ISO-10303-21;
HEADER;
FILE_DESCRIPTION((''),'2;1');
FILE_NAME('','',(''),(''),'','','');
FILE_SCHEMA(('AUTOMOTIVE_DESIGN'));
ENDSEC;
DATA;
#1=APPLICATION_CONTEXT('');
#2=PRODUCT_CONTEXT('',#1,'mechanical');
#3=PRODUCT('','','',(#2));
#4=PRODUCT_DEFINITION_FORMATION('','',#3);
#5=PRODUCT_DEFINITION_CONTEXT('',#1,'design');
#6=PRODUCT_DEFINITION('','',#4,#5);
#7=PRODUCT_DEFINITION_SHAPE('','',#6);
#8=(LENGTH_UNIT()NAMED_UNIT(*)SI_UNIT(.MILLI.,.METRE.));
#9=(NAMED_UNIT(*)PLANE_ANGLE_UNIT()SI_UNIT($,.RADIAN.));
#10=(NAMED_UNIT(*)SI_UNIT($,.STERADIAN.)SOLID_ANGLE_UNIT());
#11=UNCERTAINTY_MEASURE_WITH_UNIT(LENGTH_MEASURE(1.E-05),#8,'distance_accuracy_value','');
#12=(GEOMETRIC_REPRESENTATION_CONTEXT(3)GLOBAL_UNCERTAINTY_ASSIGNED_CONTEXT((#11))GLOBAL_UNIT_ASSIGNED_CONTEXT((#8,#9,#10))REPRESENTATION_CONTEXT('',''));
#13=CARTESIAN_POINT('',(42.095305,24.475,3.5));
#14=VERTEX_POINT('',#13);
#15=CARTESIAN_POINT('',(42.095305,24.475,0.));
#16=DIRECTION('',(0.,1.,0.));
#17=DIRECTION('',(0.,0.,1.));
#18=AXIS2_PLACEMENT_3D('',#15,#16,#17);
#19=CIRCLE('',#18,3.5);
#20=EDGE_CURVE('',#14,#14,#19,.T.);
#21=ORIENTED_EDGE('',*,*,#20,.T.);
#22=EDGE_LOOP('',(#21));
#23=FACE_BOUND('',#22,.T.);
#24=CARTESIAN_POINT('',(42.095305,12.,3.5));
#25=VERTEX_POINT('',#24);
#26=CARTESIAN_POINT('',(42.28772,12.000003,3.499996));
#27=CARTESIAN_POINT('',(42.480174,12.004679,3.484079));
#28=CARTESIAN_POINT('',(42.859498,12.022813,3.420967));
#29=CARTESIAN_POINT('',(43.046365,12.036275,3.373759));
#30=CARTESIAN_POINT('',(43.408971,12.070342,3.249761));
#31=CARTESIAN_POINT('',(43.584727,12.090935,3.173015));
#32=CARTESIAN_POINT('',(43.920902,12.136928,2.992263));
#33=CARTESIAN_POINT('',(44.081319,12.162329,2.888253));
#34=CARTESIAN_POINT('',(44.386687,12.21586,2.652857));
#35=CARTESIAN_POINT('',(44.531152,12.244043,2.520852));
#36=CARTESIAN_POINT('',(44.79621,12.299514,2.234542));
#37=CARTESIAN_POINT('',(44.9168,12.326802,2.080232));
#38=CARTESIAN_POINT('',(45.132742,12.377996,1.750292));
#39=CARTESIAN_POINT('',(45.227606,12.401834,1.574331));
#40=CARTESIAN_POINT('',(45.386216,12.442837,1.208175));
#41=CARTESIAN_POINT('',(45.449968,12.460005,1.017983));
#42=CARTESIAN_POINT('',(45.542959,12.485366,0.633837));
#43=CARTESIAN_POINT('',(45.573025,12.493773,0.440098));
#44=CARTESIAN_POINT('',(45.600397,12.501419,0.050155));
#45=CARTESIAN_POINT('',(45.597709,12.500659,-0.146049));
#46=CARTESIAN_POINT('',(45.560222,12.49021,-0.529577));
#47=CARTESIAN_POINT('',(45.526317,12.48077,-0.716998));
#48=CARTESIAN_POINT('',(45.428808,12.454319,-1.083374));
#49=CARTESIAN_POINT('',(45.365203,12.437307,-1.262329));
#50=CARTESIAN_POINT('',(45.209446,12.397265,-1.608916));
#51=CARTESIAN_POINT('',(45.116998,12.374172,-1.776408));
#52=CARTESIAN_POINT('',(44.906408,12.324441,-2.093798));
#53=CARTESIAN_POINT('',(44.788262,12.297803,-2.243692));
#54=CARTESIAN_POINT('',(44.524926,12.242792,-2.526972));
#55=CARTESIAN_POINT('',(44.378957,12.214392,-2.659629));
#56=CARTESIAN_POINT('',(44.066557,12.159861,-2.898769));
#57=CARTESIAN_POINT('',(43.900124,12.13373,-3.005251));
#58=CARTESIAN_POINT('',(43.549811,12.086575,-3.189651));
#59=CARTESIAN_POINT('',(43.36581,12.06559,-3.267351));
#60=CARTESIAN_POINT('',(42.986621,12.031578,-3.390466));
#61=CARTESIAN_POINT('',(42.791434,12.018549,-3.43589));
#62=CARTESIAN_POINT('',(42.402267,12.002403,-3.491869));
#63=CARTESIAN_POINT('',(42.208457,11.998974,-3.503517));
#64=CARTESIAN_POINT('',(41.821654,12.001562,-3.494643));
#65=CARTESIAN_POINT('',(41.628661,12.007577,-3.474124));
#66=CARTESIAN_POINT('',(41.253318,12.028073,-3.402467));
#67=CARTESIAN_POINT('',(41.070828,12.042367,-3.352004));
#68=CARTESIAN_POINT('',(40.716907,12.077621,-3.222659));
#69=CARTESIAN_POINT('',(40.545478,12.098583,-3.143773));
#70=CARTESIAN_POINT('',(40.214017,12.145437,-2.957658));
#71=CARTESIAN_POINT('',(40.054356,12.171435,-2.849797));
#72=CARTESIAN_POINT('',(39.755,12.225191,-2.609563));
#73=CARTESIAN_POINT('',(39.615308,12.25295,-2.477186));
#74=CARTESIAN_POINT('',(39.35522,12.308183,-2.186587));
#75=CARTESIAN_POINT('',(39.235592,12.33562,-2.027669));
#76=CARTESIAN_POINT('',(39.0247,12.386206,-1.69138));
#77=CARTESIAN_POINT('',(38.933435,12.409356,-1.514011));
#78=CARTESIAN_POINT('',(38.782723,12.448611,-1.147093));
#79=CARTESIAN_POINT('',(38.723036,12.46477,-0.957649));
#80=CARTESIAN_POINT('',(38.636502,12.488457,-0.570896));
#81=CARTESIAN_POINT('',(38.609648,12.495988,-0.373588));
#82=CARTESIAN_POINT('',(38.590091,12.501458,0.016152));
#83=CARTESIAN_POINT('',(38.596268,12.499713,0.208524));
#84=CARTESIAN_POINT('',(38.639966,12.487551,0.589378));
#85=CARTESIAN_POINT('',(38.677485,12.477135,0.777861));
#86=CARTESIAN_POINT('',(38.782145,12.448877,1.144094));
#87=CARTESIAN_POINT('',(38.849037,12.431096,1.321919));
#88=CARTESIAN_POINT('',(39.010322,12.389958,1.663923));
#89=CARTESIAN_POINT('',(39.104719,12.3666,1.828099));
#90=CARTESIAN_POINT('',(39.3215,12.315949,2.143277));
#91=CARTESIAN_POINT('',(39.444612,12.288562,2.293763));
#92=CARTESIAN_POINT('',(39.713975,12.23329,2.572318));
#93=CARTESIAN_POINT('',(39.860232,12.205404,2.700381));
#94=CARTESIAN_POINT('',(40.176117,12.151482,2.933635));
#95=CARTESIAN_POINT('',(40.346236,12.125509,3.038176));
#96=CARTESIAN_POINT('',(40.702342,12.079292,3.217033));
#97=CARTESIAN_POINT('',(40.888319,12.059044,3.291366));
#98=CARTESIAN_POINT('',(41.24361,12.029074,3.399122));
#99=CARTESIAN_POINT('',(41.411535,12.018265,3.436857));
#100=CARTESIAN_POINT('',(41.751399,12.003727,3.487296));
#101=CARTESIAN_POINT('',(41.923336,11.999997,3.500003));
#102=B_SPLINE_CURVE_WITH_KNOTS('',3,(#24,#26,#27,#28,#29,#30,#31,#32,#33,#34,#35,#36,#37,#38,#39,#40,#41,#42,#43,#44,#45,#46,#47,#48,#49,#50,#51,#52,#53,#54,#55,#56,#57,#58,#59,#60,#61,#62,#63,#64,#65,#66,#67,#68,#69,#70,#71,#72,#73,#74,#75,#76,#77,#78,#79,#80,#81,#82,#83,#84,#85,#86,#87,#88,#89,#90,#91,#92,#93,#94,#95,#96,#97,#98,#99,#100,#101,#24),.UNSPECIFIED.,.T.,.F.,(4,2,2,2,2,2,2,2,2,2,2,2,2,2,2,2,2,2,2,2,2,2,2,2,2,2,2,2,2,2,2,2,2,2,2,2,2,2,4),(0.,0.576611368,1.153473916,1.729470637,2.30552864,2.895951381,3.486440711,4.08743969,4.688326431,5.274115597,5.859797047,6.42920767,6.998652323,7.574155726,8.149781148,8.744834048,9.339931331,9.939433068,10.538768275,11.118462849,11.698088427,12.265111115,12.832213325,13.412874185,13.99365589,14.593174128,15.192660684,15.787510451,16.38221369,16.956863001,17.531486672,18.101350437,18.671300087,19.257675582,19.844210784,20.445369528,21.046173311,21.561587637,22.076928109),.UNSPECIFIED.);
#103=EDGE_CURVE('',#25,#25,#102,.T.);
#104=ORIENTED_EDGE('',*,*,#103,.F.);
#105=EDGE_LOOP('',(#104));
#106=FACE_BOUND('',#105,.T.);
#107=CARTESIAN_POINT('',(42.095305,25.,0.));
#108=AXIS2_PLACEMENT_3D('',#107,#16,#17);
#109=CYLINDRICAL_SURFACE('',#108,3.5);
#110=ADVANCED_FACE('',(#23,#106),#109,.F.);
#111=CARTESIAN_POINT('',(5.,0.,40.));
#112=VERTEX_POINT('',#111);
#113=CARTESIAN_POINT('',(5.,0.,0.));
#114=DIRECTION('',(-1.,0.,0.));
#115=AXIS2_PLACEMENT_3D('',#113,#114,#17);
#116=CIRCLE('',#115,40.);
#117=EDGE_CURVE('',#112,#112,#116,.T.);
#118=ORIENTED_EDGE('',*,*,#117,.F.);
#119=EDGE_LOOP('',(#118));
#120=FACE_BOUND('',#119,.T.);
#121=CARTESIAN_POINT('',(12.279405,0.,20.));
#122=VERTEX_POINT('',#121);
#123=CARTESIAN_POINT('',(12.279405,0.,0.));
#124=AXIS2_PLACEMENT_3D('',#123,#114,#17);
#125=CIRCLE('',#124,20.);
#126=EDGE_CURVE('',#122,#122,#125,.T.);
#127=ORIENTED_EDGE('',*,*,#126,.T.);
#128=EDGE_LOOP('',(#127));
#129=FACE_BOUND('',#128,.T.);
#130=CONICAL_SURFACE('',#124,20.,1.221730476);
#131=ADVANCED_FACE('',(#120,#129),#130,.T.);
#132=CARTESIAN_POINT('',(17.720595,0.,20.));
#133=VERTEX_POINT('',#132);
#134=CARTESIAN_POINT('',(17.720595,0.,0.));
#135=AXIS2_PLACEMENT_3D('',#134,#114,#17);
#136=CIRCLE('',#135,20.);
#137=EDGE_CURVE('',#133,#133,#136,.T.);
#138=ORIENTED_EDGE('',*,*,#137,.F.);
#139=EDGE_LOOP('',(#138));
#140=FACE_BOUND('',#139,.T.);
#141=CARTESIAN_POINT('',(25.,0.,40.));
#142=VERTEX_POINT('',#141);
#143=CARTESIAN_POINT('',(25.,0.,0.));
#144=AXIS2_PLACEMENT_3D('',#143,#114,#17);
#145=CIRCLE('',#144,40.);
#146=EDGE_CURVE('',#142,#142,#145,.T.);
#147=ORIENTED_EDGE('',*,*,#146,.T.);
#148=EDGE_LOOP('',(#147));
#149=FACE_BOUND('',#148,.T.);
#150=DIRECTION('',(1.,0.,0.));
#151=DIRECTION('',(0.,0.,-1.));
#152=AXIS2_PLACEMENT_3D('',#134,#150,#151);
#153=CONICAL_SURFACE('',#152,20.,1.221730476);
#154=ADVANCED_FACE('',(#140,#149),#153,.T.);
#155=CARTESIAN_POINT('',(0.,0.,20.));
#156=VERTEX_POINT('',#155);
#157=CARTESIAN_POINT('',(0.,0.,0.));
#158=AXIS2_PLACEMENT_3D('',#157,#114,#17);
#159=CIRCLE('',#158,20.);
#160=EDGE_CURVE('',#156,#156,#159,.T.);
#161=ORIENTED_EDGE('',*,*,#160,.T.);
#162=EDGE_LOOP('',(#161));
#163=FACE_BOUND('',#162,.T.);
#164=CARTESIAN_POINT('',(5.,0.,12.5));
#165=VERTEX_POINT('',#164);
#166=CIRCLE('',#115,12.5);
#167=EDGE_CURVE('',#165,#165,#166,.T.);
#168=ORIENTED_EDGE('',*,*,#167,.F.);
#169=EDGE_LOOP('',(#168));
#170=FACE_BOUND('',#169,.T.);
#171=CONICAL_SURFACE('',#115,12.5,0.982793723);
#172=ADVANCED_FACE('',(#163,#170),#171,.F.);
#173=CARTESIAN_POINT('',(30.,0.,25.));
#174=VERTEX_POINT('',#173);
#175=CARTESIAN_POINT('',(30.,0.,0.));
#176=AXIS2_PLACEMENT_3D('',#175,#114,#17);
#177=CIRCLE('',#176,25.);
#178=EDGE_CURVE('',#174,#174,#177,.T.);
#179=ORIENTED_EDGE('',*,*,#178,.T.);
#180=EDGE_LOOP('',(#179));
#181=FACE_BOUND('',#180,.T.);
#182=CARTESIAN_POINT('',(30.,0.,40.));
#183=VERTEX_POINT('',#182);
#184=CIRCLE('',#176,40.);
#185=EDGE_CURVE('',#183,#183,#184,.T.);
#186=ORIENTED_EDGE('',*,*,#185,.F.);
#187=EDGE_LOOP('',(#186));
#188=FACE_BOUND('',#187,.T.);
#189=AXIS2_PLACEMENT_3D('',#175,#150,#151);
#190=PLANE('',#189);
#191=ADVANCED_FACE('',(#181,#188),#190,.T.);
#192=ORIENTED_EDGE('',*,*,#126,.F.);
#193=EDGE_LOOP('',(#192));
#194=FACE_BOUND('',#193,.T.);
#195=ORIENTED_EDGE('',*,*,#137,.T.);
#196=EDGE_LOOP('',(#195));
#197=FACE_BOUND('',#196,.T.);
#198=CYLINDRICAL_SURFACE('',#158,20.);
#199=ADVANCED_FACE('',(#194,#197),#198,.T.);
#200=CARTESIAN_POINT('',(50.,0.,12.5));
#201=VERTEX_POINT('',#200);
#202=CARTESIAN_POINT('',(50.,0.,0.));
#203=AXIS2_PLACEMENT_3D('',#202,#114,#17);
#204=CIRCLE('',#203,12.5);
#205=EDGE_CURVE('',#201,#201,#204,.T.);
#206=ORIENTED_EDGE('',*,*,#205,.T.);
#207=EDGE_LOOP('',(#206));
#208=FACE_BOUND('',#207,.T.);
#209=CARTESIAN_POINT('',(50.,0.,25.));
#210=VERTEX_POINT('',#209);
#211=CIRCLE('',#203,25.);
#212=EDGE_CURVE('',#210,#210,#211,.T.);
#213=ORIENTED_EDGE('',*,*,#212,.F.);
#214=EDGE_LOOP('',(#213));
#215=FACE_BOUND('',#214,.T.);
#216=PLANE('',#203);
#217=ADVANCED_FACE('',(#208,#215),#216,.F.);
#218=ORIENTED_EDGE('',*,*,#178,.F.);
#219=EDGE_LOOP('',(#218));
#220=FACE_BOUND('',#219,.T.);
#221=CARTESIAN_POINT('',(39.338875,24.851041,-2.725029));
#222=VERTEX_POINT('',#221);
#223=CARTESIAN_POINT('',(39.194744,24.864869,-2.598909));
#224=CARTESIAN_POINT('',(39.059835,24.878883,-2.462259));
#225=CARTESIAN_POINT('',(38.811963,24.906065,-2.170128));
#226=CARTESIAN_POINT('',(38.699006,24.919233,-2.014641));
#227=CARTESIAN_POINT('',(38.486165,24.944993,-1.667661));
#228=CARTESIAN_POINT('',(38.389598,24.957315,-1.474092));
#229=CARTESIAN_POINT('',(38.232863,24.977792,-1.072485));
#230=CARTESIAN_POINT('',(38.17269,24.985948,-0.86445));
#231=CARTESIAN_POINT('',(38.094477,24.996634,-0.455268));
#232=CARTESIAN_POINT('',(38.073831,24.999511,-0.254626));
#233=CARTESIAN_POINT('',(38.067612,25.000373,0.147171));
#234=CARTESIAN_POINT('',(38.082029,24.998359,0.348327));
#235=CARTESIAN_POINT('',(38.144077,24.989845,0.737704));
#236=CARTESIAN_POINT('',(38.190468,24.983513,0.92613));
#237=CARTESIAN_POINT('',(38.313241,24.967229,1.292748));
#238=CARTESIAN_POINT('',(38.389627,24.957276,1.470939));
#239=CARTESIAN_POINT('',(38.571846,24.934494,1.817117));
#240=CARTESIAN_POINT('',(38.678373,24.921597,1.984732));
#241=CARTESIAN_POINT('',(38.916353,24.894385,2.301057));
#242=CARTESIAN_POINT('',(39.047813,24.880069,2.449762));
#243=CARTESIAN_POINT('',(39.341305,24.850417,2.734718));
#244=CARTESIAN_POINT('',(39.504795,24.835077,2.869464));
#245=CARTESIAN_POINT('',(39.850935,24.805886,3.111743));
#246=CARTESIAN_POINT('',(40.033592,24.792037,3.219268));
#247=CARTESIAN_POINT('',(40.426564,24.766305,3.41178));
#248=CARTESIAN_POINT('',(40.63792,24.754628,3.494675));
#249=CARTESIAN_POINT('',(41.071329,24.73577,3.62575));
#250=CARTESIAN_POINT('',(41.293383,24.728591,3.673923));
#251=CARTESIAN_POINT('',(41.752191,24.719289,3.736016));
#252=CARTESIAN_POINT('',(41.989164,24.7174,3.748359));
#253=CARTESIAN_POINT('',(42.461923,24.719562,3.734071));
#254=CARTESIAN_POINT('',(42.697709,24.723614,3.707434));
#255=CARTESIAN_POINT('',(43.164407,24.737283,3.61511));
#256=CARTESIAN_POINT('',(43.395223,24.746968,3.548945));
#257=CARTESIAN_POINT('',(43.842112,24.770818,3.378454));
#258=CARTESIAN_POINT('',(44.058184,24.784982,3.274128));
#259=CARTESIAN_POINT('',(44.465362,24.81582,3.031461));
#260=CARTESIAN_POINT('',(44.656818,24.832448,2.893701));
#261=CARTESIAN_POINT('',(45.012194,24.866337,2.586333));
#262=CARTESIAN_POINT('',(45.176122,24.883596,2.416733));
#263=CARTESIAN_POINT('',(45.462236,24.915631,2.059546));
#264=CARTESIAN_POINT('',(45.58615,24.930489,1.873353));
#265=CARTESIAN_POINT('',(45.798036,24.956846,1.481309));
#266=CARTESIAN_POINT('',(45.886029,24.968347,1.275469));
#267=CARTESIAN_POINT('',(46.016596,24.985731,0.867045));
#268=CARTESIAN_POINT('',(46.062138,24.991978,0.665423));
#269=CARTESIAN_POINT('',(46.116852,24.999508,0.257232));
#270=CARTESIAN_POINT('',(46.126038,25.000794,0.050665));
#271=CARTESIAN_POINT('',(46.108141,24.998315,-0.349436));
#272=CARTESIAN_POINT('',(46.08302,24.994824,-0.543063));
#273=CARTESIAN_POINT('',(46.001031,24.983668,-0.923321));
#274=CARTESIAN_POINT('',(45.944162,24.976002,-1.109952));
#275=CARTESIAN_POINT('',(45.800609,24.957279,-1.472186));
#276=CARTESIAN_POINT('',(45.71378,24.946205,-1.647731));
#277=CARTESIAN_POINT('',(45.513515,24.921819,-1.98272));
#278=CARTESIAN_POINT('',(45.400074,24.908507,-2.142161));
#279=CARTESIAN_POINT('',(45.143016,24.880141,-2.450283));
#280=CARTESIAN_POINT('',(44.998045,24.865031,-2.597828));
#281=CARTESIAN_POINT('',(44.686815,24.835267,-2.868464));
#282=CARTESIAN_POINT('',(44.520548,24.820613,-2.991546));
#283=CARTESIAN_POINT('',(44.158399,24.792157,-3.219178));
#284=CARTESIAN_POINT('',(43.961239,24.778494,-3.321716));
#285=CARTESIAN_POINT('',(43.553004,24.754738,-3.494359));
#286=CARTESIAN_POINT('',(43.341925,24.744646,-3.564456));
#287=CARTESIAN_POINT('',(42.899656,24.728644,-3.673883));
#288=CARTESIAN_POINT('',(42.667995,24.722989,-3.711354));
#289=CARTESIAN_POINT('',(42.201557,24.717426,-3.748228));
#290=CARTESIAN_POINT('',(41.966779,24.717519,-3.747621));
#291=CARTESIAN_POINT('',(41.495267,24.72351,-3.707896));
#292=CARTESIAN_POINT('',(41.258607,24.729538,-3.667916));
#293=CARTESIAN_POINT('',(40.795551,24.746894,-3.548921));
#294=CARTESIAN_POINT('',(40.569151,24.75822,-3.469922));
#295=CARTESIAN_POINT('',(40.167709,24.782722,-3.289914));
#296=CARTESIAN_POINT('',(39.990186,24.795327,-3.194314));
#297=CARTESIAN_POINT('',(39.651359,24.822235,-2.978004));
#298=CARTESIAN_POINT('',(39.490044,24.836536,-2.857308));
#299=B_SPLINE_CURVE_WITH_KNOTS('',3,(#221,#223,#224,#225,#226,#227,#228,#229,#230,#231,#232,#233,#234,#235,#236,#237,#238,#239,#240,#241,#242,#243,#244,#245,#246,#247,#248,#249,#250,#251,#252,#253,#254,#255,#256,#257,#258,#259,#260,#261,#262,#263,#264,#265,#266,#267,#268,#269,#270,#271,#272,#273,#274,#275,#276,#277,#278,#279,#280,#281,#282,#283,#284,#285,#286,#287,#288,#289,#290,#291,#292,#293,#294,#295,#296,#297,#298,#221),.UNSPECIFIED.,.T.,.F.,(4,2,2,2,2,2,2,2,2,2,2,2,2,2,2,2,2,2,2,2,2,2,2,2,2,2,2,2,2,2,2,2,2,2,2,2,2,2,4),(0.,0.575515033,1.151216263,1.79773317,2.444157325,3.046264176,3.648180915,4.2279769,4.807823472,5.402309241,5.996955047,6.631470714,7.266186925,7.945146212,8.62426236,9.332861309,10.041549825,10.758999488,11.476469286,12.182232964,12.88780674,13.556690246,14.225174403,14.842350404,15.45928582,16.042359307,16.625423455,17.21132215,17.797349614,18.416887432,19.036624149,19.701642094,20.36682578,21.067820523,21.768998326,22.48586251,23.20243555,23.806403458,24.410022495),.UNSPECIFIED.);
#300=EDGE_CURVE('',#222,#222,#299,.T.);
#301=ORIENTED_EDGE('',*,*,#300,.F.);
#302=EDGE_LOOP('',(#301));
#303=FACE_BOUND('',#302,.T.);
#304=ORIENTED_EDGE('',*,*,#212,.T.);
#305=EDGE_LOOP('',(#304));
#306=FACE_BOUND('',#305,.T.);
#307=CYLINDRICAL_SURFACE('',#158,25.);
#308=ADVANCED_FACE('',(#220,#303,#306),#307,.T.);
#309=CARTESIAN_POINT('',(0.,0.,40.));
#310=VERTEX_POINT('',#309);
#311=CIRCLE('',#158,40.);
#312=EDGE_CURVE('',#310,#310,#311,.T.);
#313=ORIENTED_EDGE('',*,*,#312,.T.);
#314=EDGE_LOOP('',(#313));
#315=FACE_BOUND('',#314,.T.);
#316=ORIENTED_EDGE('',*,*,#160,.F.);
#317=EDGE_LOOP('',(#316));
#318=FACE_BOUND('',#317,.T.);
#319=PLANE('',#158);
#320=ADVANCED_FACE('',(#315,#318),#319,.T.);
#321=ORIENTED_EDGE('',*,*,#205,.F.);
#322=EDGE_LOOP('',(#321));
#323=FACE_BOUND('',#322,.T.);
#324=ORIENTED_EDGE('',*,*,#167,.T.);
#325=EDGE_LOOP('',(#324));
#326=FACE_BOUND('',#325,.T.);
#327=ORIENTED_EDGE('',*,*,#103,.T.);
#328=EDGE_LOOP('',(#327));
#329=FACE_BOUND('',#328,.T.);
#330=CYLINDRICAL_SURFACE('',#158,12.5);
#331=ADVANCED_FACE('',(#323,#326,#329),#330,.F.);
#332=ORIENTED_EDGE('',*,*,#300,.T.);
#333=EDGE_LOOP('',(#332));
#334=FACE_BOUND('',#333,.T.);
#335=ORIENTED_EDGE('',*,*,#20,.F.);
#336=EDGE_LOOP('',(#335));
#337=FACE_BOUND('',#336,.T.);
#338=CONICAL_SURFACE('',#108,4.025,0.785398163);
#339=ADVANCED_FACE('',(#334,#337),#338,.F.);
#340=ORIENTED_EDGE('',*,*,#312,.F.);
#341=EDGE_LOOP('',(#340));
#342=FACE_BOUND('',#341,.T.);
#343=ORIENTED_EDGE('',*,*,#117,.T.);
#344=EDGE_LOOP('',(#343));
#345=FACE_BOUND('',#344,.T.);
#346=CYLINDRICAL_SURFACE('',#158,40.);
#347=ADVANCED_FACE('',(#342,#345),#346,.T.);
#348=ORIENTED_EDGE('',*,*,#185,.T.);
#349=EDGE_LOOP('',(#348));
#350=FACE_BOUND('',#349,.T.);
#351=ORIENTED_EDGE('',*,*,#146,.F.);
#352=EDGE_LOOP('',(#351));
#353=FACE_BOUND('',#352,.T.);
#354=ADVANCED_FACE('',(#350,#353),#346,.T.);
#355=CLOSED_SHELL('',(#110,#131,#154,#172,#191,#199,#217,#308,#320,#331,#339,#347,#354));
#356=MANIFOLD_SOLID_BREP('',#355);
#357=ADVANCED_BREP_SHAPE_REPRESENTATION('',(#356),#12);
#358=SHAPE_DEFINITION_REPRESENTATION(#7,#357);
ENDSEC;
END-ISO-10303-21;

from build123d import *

# Parameters (mm, degrees)
M8X1_0_TAPPED_HOLE2_D           = 7
M8X1_0_TAPPED_HOLE2_DEPTH       = 19
M8X1_0_TAPPED_HOLE2_CSINK_D     = 8.05
M8X1_0_TAPPED_HOLE2_CSINK_ANGLE = 90
M8X1_0_TAPPED_HOLE2_TIP         = 2.103012167


with BuildPart() as part:
    # Sketch1 → Revolve2 (revolve)
    with BuildSketch(Plane.XY, mode=Mode.PRIVATE) as revolve2_sk:
        Polygon((5, 12.5), (0, 20), (0, 40), (5, 40), (12.279404685, 20), (17.720595315, 20), (25, 40), (30, 40), (30, 25), (50, 25), (50, 12.5), align=None)
    revolve(revolve2_sk.sketch.rotate(Axis((0, 0, 0), (1, 0, 0)), 90), axis=Axis((0, 0, 0), (1, 0, 0)))

    # M8x1.0 Tapped Hole2
    with Locations(Plane(origin=(42.095304981, 25, 0), x_dir=(0, 0, 1), z_dir=(0, 1, 0))):
        with Locations((0, 0)):
            CounterSinkHole(M8X1_0_TAPPED_HOLE2_D / 2, M8X1_0_TAPPED_HOLE2_CSINK_D / 2, depth=M8X1_0_TAPPED_HOLE2_DEPTH, counter_sink_angle=M8X1_0_TAPPED_HOLE2_CSINK_ANGLE)
            with Locations((0, 0, -(M8X1_0_TAPPED_HOLE2_DEPTH + M8X1_0_TAPPED_HOLE2_TIP / 2))):  # 118° drill point
                Cone(0, M8X1_0_TAPPED_HOLE2_D / 2, M8X1_0_TAPPED_HOLE2_TIP, mode=Mode.SUBTRACT)


solid = part.part
